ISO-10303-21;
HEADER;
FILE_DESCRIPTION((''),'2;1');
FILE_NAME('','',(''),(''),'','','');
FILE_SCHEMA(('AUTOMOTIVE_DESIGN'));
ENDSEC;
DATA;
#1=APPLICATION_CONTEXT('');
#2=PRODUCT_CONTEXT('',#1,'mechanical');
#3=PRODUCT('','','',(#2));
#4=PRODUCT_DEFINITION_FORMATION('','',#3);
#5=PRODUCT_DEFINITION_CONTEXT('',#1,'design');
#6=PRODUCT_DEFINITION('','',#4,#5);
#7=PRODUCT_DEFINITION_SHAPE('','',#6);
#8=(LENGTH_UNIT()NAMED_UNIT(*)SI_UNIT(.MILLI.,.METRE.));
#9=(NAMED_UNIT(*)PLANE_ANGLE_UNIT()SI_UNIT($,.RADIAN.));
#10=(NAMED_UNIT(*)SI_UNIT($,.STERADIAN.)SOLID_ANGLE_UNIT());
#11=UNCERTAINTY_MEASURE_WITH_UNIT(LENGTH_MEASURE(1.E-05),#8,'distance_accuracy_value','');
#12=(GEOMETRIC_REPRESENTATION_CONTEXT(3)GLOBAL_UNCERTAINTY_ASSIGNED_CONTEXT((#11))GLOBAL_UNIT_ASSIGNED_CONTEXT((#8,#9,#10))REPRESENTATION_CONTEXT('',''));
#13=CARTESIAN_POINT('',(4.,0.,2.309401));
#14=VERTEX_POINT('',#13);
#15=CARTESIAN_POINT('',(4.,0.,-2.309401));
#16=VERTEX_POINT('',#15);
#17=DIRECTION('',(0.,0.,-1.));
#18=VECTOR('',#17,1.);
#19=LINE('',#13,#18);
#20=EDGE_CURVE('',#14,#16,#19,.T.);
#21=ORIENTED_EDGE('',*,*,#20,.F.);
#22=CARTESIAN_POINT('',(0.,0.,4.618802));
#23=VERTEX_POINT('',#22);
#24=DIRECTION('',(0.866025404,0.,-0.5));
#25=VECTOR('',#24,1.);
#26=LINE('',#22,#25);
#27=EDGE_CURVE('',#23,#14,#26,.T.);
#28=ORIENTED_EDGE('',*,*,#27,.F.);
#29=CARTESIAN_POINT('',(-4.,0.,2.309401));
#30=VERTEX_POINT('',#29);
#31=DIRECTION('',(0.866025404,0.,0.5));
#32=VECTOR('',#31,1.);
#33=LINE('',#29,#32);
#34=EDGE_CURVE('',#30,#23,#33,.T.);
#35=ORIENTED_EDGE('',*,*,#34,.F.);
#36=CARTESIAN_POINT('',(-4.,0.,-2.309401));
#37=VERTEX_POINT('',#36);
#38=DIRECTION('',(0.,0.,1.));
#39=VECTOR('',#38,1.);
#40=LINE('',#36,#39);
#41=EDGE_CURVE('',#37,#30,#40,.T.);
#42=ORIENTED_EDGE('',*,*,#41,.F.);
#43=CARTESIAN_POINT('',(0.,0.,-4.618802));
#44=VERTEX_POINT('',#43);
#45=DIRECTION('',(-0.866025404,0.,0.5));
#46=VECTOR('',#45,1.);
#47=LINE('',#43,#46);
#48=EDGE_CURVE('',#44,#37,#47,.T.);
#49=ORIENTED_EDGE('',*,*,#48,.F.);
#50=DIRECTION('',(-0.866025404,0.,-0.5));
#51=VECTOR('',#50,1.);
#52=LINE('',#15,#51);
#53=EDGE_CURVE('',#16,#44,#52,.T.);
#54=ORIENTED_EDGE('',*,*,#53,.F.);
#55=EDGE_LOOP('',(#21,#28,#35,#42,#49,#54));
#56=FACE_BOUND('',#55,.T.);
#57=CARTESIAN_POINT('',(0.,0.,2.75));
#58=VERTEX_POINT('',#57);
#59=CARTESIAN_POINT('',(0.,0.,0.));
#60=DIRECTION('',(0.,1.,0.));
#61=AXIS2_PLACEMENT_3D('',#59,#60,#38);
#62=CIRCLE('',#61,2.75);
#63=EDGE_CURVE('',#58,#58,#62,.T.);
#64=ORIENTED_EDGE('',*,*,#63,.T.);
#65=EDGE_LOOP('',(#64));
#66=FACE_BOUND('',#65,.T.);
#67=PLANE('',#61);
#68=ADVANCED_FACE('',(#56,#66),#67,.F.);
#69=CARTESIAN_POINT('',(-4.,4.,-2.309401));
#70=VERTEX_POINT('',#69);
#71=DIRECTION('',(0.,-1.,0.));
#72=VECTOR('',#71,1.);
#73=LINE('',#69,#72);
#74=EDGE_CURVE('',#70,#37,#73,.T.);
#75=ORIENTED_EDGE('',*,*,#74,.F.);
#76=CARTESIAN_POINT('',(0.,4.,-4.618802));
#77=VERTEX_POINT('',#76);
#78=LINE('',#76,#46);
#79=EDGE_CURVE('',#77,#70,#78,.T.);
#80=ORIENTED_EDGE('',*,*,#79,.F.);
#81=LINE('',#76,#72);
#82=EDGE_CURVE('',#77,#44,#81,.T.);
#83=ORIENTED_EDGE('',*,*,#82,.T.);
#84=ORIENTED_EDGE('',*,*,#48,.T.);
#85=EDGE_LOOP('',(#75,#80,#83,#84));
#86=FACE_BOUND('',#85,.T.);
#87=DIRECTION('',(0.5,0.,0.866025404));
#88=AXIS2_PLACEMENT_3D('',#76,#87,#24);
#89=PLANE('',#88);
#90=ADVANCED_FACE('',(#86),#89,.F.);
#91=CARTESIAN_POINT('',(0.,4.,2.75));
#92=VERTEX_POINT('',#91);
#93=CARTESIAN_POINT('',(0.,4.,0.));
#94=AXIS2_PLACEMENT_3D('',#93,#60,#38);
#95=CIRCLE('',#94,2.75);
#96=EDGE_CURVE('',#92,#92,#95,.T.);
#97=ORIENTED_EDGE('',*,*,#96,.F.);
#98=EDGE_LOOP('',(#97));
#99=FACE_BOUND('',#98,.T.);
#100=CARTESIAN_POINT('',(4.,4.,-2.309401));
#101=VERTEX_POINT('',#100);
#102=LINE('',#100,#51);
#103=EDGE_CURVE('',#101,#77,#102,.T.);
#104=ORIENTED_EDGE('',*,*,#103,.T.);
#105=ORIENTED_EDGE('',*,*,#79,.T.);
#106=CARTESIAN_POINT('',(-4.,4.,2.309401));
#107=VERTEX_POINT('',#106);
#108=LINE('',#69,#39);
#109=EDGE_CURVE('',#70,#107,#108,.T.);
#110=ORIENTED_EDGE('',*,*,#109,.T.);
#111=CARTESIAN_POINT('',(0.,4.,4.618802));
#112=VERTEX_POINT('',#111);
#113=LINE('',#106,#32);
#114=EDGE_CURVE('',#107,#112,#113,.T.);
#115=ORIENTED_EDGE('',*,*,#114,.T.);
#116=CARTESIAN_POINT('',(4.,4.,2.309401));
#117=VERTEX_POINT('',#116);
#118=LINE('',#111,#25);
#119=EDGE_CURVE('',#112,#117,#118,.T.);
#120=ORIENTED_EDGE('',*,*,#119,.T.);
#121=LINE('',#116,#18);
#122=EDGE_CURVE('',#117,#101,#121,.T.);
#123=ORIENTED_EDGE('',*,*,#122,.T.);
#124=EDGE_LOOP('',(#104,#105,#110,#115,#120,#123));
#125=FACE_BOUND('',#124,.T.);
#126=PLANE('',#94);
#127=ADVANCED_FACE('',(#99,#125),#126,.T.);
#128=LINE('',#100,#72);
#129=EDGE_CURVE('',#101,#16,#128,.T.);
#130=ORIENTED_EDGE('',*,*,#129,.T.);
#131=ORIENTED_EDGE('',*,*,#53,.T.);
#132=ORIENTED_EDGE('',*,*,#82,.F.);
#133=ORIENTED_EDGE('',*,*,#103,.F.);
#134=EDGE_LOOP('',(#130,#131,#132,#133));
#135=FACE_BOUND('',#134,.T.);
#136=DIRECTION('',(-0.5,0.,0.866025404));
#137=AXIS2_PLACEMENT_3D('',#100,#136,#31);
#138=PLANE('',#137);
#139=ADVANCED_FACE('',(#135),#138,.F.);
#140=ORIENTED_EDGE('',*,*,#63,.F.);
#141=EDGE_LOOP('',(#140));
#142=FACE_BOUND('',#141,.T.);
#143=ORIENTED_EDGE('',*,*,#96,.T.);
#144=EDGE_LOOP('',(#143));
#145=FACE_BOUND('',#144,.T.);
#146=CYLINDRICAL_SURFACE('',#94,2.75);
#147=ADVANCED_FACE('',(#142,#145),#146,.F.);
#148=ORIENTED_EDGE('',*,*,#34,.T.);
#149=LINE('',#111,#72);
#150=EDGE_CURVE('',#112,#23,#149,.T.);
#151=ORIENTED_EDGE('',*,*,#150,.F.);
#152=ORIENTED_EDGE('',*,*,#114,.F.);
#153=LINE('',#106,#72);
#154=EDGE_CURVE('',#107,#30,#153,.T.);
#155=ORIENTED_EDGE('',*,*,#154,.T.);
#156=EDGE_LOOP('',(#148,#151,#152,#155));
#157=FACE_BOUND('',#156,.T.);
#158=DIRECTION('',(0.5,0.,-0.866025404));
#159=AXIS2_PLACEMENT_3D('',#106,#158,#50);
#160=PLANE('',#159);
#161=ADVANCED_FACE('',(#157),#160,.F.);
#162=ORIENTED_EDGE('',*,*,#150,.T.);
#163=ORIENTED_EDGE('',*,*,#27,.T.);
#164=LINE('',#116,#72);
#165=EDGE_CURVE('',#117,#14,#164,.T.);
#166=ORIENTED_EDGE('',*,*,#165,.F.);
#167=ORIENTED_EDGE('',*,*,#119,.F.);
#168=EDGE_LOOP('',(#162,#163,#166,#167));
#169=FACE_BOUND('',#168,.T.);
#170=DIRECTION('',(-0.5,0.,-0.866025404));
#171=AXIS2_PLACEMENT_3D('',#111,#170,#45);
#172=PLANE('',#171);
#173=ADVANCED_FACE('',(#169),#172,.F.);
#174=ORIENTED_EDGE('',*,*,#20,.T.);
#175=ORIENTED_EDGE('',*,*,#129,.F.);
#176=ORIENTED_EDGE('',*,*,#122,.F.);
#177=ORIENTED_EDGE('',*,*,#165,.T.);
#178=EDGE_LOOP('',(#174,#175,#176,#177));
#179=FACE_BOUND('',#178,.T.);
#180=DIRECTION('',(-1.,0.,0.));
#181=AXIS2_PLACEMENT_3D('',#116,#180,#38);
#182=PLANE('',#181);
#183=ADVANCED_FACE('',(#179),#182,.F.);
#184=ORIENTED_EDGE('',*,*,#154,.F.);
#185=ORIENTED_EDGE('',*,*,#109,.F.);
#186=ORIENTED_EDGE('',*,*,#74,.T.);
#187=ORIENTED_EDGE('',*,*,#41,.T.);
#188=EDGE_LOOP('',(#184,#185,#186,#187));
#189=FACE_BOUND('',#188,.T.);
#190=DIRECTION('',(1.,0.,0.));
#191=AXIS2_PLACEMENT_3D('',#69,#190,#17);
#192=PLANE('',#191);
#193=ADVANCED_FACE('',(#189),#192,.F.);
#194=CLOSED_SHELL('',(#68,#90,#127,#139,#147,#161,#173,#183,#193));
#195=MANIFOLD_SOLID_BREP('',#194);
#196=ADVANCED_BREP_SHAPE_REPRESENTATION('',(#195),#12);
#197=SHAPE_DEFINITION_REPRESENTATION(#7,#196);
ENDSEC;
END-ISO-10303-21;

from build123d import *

# Parameters (mm, degrees)
BODY_DEPTH           = 4
M5_CLEARANCE_HOLE1_D = 5.5


with BuildPart() as part:
    # Sketch1 → Body (new body)
    with BuildSketch(Plane(origin=(0, 0, 0), x_dir=(1, 0, 0), z_dir=(0, 1, 0))):
        Polygon((0, 4.618802154), (-4, 2.309401077), (-4, -2.309401077), (0, -4.618802154), (4, -2.309401077), (4, 2.309401077), align=None)
    extrude(amount=BODY_DEPTH)

    # M5 Clearance Hole1 (through all)
    with Locations(Plane(origin=(0, 4, 0), x_dir=(1, 0, 0), z_dir=(0, 1, 0))):
        with Locations((0, 0)):
            Hole(M5_CLEARANCE_HOLE1_D / 2)


solid = part.part
